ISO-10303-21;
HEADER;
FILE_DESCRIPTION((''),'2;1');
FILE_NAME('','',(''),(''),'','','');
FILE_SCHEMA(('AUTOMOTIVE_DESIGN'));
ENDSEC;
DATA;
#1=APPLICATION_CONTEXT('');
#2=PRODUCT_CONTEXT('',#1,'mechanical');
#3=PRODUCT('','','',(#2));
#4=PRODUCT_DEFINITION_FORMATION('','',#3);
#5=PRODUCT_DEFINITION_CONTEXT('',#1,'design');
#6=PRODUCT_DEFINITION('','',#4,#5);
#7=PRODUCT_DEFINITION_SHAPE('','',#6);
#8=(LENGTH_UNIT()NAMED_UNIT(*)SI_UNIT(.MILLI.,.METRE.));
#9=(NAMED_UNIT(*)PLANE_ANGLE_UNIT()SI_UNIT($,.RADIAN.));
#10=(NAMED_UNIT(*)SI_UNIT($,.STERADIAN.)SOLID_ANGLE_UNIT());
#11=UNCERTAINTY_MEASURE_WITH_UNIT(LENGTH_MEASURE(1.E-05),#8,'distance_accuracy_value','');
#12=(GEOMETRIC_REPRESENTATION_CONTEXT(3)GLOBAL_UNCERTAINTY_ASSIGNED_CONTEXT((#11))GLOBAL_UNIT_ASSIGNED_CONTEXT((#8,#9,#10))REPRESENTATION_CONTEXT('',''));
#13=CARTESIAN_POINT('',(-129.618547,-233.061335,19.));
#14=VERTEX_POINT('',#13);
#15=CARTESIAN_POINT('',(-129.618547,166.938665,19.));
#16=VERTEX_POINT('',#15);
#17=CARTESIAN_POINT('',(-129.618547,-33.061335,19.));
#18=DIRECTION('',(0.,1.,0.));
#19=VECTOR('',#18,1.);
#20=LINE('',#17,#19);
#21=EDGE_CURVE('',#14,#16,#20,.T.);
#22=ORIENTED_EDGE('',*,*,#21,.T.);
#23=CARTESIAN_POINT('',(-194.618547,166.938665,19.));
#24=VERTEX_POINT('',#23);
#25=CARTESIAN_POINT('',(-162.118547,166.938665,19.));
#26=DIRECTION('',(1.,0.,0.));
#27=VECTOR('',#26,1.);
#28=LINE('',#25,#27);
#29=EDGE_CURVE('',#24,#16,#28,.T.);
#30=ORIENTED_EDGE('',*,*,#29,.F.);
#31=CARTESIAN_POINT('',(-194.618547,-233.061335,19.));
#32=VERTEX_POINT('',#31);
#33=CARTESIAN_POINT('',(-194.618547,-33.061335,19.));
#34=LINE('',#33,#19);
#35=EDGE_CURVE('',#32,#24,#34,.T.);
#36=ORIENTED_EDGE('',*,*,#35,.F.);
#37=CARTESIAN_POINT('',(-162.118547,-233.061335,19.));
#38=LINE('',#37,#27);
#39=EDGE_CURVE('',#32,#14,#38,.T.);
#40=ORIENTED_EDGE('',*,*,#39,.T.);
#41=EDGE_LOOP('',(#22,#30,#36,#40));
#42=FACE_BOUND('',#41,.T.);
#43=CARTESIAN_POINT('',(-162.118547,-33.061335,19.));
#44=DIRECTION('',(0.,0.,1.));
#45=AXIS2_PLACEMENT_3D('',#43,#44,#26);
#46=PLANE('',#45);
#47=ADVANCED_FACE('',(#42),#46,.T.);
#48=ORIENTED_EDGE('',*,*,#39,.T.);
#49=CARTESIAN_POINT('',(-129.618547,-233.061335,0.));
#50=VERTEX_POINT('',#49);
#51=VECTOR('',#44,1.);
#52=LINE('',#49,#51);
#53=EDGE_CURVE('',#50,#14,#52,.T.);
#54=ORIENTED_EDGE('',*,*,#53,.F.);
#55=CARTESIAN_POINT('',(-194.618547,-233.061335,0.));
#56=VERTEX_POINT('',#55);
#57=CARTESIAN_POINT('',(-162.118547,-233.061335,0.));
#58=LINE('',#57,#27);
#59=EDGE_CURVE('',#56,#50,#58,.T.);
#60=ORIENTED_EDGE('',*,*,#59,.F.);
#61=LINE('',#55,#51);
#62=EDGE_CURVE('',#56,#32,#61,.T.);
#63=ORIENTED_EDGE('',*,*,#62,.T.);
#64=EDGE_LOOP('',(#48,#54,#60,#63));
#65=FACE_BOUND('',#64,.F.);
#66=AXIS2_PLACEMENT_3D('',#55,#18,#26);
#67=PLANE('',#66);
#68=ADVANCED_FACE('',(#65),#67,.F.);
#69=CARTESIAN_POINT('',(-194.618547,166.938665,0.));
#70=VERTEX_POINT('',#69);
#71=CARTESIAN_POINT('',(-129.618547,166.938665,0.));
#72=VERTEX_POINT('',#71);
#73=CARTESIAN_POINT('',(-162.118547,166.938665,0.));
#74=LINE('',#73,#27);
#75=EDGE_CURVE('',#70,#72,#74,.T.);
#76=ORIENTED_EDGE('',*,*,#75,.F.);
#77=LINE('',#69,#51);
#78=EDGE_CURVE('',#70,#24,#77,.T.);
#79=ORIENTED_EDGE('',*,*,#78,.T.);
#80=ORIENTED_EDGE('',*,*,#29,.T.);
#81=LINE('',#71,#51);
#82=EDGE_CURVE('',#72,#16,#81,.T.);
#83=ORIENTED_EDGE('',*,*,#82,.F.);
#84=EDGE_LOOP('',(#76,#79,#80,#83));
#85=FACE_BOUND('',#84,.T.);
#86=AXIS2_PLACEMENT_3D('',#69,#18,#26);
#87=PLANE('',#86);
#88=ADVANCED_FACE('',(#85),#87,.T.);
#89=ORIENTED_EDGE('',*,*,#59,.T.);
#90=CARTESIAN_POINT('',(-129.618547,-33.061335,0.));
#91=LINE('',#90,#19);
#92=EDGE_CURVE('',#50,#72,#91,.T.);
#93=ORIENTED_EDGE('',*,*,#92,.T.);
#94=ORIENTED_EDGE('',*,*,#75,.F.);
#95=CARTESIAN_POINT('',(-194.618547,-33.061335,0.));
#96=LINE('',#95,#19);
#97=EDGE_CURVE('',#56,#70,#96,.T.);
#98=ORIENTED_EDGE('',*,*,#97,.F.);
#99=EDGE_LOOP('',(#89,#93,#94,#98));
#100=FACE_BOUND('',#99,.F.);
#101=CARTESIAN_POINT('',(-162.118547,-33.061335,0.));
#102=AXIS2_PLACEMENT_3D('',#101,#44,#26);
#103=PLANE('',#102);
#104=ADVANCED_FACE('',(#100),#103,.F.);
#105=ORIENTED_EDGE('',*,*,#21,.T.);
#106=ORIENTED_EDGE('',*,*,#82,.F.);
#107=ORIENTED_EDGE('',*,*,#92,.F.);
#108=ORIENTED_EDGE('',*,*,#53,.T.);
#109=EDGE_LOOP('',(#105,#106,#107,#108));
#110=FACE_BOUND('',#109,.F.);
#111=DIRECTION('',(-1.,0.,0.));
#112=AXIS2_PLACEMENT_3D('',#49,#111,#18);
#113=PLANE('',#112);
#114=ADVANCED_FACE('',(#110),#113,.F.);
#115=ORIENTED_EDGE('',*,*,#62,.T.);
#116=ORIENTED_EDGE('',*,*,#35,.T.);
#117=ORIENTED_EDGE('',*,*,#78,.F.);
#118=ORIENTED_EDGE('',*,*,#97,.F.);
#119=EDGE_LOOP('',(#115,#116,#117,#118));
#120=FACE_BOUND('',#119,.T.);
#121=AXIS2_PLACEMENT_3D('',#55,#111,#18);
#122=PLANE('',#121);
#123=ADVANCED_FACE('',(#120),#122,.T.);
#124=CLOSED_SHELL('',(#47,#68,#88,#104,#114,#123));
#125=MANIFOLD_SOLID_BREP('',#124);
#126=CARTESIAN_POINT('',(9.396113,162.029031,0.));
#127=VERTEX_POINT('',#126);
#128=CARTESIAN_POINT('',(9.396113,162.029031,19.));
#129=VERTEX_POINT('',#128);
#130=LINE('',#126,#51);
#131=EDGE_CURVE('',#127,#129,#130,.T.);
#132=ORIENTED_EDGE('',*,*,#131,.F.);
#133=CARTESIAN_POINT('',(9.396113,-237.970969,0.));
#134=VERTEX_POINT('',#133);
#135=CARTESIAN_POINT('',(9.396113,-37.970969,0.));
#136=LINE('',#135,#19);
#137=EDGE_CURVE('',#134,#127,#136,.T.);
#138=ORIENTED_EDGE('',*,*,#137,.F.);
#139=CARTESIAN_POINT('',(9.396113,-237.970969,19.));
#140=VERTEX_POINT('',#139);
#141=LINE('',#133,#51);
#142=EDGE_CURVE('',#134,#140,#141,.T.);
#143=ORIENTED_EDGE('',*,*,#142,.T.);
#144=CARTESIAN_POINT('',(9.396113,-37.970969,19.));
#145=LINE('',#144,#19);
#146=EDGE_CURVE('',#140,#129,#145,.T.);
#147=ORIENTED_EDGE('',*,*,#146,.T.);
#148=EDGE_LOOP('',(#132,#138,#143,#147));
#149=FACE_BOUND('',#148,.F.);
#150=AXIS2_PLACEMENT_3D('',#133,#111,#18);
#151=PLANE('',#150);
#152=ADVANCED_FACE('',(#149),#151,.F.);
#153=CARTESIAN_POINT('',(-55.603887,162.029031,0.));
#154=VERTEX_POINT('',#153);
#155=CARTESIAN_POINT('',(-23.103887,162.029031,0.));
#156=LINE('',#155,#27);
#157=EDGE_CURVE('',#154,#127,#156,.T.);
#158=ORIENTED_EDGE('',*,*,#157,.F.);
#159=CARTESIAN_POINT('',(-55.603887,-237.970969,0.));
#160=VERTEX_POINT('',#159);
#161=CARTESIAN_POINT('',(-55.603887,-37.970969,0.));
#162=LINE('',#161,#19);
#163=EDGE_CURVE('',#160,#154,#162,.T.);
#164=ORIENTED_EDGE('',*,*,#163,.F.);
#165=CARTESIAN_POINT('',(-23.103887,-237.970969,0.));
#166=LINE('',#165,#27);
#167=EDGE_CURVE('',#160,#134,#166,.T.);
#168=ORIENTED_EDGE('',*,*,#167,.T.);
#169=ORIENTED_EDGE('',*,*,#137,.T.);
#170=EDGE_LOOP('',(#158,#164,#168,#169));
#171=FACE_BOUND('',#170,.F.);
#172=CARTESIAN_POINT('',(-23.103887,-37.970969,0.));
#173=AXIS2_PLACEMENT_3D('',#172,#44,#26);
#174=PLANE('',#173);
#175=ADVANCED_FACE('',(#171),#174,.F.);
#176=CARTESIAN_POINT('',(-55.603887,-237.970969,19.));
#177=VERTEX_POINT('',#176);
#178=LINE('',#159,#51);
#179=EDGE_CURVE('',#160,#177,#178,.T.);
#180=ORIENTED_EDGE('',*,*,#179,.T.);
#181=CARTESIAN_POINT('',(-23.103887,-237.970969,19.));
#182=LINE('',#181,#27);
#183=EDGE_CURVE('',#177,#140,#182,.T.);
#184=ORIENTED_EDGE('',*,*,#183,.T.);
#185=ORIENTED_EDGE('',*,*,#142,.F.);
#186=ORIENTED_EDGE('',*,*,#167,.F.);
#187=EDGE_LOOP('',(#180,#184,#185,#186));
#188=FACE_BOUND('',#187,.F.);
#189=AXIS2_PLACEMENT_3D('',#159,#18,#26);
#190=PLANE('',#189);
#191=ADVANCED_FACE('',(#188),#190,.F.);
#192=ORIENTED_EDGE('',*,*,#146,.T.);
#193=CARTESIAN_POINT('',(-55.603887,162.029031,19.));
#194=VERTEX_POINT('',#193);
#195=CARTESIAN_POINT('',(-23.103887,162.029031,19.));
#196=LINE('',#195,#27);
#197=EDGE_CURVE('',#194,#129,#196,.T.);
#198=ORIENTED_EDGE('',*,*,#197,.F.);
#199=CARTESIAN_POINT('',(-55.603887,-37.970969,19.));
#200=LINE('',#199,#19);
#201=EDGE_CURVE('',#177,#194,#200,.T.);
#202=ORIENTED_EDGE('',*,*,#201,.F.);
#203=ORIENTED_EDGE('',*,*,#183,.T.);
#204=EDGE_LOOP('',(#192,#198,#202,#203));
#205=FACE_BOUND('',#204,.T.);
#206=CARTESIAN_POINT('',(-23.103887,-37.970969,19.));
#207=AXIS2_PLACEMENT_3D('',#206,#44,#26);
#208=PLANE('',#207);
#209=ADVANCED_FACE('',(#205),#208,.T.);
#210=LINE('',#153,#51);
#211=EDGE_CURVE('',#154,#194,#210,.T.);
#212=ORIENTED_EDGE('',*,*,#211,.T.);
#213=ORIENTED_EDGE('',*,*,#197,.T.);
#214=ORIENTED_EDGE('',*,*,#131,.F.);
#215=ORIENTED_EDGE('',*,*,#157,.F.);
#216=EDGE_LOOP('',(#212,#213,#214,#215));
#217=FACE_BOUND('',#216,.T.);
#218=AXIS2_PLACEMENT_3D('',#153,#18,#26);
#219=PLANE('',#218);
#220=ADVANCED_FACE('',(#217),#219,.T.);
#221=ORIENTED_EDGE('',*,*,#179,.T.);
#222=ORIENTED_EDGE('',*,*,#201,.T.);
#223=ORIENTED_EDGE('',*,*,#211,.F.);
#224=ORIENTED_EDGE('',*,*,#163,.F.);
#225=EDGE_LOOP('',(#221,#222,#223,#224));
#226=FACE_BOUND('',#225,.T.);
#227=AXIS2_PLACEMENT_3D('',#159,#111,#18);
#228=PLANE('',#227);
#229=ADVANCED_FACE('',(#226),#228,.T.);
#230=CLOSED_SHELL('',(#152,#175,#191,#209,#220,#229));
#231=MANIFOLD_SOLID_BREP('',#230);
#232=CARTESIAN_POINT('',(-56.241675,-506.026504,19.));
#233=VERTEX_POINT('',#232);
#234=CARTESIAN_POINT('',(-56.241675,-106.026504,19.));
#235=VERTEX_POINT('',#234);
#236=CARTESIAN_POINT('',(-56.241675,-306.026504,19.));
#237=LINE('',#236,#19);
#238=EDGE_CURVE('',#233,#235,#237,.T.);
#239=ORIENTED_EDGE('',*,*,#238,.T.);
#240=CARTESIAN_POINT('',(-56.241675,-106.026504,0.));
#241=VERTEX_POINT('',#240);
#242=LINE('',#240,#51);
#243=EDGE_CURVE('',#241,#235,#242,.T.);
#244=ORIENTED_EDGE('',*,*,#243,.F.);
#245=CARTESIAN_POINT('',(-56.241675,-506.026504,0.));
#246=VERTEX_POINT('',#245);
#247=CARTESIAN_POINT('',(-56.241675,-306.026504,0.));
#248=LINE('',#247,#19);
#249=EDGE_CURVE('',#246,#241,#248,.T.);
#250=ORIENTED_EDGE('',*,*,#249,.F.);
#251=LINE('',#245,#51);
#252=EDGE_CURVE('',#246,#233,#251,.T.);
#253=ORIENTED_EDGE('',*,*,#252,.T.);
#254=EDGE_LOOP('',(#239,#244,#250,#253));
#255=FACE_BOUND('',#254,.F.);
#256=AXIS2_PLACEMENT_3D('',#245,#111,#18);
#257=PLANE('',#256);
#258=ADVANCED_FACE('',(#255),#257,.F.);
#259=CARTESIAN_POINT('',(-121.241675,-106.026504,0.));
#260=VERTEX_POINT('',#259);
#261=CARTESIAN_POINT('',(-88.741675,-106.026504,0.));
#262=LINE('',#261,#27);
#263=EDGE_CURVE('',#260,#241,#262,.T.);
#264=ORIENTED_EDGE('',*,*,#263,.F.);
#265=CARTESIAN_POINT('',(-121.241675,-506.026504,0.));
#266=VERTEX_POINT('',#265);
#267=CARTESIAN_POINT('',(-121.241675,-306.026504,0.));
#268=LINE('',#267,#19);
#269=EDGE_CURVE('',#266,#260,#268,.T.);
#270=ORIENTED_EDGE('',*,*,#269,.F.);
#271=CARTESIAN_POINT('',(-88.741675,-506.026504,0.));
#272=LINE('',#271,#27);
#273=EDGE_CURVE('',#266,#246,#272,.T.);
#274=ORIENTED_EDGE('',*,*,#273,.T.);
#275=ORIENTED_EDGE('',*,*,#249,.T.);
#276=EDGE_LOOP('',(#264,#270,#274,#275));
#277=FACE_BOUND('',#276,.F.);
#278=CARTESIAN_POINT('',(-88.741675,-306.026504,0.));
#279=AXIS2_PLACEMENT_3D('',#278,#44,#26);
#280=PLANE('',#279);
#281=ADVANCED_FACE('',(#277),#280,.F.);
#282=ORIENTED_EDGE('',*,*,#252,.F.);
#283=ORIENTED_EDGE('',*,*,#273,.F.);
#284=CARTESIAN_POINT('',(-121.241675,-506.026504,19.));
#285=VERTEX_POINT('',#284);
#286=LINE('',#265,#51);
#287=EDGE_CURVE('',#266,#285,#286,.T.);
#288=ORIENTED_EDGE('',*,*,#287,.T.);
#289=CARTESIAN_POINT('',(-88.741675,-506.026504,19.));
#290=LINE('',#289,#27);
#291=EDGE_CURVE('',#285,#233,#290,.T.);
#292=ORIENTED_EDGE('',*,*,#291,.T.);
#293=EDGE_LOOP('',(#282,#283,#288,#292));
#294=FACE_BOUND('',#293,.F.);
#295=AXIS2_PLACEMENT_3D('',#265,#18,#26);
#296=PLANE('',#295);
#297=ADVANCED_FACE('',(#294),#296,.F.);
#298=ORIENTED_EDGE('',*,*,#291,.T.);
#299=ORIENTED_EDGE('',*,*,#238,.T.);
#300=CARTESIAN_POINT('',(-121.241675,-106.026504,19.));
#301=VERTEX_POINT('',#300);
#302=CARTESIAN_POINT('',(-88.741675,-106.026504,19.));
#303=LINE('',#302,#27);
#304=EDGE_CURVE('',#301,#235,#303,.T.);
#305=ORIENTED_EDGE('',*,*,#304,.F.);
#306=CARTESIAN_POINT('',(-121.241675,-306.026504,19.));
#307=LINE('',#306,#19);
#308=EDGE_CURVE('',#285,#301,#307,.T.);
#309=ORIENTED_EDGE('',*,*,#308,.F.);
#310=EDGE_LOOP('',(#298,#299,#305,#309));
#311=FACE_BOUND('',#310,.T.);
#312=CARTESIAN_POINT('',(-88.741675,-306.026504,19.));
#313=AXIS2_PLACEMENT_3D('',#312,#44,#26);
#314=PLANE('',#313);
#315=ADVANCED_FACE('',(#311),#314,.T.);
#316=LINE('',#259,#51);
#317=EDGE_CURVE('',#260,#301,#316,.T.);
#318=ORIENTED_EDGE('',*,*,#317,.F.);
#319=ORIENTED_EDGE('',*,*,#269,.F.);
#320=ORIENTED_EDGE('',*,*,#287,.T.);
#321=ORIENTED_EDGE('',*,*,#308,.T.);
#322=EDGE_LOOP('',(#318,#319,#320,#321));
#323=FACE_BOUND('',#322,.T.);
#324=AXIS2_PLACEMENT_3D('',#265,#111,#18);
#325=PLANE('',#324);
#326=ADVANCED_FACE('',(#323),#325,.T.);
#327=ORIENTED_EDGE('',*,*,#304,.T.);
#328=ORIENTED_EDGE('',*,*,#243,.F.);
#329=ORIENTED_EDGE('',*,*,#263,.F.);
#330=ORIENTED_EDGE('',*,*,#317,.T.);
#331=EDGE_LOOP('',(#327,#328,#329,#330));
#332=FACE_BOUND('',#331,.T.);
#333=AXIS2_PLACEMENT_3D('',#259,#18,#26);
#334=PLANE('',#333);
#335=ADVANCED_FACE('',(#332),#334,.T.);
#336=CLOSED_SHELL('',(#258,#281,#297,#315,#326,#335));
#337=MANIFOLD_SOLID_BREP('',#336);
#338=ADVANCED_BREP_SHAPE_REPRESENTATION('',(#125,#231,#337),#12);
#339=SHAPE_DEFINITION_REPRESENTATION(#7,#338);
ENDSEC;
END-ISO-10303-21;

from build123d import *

# Parameters (mm, degrees)
F1_W     = 65
F1_H     = 400
F2_DEPTH = 19
F3_W     = 65
F3_H     = 400
F4_DEPTH = 19
F5_W     = 65
F5_H     = 400
F6_DEPTH = 19


with BuildPart() as f2:
    # F1 (on face) → F2 (new body)
    with BuildSketch(Plane.XY):
        with Locations((-23.103887, -37.970969)):
            Rectangle(F1_W, F1_H)
    extrude(amount=F2_DEPTH)


with BuildPart() as f4:
    # F3 (on Top) → F4 (new body)
    with BuildSketch(Plane.XY):
        with Locations((-88.741675, -306.026504)):
            Rectangle(F3_W, F3_H)
    extrude(amount=F4_DEPTH)


with BuildPart() as f6:
    # F5 (on Top) → F6 (new body)
    with BuildSketch(Plane.XY):
        with Locations((-162.118547, -33.061335)):
            Rectangle(F5_W, F5_H)
    extrude(amount=F6_DEPTH)


solid = Compound([f2.part, f4.part, f6.part])
